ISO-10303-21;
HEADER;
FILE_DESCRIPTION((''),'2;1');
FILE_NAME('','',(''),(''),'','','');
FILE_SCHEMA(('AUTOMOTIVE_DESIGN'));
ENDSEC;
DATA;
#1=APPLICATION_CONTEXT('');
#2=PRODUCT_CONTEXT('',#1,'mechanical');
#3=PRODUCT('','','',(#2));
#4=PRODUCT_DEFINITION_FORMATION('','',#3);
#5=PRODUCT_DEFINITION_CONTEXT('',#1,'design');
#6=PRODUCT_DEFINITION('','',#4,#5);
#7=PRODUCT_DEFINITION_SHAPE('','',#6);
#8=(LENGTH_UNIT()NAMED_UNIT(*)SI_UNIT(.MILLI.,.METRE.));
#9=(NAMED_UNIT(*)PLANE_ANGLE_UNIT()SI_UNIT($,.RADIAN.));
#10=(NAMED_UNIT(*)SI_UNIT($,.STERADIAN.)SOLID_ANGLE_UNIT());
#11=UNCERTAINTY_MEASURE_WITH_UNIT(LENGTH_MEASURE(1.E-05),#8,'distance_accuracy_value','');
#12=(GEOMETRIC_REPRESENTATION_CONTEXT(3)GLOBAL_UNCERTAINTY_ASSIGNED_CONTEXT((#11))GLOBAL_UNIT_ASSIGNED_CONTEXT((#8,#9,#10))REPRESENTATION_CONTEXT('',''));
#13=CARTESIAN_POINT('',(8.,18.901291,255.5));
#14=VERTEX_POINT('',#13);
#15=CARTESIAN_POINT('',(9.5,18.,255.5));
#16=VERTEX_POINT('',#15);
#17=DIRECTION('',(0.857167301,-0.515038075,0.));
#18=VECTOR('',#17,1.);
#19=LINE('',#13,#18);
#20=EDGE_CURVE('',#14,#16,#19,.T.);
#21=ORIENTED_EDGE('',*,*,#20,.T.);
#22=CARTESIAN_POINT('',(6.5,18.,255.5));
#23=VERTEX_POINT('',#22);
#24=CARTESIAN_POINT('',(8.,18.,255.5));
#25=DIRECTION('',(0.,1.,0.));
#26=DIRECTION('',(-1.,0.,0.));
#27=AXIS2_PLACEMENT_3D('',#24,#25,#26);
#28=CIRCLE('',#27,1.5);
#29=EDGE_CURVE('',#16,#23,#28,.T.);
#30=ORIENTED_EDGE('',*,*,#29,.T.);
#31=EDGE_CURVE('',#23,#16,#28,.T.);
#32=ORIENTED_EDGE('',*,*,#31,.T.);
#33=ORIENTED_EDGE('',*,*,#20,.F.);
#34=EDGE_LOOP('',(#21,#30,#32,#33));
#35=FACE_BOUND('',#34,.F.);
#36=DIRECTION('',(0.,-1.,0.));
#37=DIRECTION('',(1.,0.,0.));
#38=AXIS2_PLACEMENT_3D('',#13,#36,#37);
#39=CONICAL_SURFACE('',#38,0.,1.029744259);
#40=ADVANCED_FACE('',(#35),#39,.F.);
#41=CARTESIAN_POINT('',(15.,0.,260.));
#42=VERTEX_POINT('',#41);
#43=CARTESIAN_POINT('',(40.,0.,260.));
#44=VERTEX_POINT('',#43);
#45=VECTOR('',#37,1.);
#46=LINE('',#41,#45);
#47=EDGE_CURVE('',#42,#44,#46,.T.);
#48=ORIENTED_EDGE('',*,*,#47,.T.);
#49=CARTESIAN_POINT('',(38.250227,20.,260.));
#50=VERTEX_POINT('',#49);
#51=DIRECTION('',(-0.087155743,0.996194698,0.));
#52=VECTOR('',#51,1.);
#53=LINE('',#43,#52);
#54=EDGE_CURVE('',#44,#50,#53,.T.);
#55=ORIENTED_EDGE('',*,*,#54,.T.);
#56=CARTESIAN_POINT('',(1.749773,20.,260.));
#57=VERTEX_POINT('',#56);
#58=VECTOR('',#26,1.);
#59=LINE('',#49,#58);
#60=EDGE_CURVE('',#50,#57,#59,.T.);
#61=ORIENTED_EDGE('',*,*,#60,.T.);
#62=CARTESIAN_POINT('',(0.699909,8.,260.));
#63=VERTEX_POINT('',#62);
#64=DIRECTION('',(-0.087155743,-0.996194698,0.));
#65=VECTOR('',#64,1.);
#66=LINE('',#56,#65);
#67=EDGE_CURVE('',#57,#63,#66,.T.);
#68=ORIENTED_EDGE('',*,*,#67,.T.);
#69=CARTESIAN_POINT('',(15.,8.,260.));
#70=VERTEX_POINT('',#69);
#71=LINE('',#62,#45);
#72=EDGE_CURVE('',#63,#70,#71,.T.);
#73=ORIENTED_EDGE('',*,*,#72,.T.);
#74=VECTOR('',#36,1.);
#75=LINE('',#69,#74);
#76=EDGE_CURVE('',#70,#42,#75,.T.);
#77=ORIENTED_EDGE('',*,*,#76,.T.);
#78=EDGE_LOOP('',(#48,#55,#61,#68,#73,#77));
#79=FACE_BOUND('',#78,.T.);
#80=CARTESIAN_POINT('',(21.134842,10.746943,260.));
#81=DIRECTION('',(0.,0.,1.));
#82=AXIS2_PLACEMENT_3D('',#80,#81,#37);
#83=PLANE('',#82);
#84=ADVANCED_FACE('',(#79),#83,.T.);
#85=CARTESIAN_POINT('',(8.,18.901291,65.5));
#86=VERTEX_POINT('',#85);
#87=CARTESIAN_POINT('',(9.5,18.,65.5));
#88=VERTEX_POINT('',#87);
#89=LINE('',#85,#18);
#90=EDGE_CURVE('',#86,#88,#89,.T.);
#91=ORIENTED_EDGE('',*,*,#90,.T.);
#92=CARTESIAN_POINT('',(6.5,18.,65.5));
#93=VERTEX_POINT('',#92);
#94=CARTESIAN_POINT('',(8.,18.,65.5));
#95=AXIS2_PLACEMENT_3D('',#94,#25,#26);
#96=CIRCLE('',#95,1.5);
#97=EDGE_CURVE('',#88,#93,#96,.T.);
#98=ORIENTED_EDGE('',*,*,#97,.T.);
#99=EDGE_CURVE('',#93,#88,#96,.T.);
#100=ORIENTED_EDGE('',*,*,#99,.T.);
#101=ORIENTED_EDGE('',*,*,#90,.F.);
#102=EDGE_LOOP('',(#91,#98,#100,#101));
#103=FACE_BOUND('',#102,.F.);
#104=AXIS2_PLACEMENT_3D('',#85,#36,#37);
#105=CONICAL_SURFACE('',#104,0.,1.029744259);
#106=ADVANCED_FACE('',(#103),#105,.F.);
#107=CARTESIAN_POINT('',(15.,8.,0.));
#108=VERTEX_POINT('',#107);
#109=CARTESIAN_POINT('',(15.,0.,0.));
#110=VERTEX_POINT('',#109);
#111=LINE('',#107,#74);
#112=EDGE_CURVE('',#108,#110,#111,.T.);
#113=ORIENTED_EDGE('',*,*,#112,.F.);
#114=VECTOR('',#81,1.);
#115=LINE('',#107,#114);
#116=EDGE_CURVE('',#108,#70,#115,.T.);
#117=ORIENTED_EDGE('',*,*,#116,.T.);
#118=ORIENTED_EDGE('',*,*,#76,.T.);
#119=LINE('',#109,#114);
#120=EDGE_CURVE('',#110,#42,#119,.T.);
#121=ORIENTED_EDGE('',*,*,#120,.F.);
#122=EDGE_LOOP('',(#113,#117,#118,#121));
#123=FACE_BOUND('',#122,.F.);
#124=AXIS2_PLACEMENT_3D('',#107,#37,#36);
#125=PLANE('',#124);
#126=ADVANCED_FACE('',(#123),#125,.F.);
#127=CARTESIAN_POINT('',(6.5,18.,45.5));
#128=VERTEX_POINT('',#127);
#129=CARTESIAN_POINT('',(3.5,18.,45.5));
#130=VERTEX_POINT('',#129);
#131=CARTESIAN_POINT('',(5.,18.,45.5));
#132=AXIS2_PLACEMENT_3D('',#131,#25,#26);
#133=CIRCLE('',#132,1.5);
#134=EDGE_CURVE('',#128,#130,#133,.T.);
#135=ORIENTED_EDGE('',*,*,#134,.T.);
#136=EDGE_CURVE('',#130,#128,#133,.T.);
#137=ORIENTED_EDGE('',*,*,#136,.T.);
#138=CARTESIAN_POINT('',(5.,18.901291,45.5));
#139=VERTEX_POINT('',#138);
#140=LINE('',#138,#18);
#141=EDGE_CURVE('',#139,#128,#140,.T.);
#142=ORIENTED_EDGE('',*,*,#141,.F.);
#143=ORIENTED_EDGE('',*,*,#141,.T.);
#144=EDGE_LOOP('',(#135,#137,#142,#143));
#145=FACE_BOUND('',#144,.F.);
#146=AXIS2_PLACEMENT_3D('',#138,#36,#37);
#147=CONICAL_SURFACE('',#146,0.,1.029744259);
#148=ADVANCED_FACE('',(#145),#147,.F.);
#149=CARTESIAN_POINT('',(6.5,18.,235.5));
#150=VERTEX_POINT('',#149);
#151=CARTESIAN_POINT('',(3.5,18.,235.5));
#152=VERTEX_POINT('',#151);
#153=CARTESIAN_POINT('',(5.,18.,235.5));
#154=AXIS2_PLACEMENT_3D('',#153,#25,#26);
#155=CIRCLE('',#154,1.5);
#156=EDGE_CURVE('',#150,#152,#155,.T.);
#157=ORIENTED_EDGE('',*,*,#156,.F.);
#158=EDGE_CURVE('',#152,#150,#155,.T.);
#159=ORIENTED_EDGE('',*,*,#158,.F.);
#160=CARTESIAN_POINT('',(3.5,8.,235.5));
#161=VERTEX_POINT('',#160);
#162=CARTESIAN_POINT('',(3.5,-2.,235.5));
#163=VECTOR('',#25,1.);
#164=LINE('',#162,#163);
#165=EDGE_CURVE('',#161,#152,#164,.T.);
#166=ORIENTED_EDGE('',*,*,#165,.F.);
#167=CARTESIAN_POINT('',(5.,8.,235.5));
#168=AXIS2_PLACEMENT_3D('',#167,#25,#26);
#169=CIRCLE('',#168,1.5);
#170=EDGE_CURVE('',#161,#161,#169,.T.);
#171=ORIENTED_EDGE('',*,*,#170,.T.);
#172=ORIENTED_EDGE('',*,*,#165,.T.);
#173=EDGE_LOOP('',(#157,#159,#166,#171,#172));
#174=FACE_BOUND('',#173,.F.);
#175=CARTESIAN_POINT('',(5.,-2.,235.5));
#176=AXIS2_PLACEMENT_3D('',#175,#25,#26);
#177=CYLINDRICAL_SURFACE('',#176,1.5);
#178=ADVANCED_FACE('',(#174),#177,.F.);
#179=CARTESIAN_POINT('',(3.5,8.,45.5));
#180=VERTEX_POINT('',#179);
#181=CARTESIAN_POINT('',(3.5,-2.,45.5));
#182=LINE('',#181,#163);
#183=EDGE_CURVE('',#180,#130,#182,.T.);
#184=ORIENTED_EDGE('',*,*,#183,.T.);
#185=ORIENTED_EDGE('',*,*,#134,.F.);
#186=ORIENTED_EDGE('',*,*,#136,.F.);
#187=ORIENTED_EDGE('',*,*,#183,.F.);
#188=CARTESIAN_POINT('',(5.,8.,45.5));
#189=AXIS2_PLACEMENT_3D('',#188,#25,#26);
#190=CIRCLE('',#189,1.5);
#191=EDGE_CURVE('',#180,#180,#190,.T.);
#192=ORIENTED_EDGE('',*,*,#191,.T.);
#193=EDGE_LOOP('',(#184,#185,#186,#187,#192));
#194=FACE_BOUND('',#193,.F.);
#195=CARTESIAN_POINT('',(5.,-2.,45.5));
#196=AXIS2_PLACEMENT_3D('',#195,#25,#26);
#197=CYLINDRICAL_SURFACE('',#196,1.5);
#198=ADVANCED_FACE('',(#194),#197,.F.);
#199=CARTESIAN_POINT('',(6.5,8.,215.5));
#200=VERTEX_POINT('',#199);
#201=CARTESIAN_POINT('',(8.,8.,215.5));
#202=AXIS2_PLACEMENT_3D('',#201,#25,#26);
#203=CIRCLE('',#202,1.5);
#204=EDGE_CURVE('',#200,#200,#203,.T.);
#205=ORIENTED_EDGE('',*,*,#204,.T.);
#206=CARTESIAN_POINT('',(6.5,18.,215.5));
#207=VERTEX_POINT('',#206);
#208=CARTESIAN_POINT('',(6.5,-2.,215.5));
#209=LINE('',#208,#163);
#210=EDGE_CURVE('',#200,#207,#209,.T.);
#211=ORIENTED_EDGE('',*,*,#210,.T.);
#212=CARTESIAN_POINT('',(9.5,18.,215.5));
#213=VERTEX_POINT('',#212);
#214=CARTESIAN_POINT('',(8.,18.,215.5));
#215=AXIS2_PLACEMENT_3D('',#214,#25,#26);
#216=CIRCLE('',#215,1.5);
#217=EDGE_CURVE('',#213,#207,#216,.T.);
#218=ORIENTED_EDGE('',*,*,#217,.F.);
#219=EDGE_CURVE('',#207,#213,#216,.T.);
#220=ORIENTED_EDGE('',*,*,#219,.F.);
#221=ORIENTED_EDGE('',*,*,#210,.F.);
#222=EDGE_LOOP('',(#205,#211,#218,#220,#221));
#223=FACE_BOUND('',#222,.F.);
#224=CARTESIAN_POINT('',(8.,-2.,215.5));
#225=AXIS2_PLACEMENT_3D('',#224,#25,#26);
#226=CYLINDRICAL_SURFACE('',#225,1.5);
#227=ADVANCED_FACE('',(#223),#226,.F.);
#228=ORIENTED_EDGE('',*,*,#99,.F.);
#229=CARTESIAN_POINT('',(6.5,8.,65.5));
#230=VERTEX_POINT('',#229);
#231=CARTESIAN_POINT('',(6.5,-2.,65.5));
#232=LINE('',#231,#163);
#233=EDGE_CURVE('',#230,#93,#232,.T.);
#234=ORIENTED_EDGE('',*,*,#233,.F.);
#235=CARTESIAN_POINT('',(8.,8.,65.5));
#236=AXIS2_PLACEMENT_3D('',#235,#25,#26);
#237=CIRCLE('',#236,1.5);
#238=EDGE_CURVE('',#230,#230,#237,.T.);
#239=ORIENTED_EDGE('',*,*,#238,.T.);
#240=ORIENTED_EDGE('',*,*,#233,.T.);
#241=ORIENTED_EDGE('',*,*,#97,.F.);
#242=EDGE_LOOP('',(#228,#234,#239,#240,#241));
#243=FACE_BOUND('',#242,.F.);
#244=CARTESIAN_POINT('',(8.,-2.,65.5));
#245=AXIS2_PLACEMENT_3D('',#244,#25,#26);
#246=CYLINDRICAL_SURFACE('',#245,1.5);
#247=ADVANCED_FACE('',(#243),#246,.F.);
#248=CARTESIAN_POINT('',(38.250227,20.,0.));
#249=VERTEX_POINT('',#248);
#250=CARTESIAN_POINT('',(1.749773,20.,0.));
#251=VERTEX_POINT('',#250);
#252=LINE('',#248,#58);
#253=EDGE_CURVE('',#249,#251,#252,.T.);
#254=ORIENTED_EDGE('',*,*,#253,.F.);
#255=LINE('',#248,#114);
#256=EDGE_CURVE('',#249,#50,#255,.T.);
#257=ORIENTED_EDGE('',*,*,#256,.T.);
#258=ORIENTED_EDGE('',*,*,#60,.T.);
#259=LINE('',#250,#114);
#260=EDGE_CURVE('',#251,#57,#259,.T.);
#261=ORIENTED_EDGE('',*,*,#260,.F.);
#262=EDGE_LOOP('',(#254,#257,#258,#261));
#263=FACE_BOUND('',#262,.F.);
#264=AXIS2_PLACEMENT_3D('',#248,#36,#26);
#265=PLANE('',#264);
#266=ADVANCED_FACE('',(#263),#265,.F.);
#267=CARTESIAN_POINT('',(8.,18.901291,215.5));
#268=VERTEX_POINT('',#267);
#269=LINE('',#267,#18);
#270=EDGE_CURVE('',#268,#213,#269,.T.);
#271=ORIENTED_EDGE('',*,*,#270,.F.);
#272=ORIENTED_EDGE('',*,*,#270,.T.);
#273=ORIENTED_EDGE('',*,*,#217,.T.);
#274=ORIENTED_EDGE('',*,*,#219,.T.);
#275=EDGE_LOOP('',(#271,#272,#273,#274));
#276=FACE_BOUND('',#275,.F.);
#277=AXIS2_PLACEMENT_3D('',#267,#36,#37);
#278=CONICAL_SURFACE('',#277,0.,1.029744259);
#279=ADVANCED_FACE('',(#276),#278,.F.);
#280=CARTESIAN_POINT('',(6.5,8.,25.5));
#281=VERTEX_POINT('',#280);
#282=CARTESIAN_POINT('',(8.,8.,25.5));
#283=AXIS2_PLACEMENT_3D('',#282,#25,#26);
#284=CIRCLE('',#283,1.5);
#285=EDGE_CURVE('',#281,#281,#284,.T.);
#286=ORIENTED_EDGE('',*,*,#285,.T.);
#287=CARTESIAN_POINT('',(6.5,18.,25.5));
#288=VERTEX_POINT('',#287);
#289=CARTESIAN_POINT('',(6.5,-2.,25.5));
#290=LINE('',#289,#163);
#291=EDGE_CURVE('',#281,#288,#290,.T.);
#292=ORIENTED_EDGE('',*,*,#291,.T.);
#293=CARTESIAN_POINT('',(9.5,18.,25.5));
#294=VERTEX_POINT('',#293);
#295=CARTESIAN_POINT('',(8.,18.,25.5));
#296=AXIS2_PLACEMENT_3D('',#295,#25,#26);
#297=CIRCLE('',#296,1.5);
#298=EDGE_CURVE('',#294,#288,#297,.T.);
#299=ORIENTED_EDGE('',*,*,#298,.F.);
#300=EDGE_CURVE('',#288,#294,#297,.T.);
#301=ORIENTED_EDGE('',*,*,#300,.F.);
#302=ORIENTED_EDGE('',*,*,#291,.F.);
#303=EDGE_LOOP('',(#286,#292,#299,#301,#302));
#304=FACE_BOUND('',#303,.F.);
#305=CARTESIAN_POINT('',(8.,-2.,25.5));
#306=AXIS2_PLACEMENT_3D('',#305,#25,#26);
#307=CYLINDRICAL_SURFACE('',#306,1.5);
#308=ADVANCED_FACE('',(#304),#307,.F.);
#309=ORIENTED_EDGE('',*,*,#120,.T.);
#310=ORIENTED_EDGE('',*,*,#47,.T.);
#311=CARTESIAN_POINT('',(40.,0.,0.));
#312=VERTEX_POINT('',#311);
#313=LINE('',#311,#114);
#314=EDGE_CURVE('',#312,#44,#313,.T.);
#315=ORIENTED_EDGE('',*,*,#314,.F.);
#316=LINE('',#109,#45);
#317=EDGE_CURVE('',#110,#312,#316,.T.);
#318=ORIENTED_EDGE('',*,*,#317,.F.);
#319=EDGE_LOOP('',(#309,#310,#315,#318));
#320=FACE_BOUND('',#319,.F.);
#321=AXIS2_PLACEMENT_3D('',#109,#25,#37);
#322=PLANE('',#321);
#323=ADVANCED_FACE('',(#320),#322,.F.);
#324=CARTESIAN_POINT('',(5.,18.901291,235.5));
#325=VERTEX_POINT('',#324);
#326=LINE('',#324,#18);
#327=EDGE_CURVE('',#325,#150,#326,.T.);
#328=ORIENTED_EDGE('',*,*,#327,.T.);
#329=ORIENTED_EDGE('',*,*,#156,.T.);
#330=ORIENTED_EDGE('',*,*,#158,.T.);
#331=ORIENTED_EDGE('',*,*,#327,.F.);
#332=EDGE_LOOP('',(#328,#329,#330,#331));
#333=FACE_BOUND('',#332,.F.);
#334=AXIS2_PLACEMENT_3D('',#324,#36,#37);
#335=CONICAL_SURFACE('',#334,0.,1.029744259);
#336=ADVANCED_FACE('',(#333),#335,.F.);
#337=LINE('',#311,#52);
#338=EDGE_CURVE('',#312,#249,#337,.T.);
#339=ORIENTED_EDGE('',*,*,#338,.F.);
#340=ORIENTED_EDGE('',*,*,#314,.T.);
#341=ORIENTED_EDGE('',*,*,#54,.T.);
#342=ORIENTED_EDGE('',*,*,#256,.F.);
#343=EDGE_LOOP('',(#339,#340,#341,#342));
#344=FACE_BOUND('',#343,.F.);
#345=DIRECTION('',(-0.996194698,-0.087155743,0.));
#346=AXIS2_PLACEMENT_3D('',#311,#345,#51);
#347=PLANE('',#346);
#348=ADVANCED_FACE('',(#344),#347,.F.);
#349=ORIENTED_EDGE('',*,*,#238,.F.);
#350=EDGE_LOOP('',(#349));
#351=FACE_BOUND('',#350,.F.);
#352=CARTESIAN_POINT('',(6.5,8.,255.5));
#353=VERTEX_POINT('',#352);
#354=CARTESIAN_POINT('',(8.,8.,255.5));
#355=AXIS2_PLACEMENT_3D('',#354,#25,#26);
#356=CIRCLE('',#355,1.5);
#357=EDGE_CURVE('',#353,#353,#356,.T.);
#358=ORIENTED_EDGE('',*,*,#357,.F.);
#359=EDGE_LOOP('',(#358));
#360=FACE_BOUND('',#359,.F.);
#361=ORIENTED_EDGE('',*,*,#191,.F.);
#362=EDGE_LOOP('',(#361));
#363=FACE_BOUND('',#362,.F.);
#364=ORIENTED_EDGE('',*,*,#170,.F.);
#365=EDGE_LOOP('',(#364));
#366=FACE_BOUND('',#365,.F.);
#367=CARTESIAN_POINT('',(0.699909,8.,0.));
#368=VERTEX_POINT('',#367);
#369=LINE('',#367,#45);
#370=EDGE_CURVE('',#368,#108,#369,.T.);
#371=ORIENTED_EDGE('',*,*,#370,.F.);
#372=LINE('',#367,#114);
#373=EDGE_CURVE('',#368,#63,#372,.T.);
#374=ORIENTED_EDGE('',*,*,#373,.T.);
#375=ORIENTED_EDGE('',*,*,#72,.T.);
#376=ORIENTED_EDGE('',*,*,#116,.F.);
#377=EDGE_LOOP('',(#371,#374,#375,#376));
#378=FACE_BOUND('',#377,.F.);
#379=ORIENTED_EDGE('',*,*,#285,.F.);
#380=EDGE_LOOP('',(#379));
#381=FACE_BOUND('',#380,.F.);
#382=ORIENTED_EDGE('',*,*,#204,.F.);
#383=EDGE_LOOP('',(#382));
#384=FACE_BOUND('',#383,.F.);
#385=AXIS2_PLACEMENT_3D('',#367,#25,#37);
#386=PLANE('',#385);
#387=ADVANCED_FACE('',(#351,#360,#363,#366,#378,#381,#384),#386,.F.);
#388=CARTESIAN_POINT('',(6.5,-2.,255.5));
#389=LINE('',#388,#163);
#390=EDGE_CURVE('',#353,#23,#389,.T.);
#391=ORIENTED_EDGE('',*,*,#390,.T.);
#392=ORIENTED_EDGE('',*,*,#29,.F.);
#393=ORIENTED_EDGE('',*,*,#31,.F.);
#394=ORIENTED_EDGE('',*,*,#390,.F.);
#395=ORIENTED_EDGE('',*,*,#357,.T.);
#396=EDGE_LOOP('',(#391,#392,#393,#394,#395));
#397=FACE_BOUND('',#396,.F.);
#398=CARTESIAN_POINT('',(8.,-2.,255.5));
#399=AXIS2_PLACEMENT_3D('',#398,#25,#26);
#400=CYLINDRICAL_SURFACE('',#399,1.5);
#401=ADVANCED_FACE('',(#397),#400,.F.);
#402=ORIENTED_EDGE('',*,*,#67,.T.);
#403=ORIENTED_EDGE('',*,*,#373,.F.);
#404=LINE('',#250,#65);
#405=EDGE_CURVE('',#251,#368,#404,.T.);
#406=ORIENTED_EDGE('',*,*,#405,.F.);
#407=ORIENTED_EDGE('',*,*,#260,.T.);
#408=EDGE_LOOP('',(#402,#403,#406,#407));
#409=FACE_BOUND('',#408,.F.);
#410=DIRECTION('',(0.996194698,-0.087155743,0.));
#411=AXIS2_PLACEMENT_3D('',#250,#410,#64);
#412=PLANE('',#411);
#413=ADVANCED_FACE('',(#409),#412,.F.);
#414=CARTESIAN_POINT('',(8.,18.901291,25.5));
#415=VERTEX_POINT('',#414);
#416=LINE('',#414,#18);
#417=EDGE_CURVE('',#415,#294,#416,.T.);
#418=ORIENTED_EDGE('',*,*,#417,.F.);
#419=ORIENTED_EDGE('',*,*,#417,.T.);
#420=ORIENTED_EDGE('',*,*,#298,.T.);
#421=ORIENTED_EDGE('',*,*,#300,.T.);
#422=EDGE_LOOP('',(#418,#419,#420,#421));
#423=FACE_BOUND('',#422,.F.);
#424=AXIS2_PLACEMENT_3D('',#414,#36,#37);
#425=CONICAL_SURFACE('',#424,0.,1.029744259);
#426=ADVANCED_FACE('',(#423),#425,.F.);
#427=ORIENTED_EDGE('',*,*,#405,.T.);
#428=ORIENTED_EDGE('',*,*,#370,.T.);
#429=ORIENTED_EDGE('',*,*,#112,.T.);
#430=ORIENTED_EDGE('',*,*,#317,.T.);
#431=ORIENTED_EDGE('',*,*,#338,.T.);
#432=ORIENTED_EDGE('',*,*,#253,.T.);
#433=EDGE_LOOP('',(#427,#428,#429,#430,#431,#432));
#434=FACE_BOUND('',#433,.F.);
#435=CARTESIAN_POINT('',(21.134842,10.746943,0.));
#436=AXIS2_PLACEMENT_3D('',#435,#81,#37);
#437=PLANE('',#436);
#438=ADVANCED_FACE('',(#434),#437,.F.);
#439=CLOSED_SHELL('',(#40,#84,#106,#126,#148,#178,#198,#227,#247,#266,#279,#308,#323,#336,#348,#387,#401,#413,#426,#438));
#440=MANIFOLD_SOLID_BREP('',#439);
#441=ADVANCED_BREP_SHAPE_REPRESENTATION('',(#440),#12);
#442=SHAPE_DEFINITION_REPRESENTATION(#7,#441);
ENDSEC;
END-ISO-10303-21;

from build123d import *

# Parameters (mm, degrees)
F1_DEPTH = 260
F3_D     = 3
F3_DEPTH = 10
F3_START = 8
F3_TIP   = 0.9012909285


with BuildPart() as f1:
    # F0 (on Top) → F1 (new body)
    with BuildSketch(Plane.XY):
        Polygon((1.7497732705, 20), (0.6999093082, 8), (15, 8), (15, 0), (40, 0), (38.2502267295, 20), align=None)
    extrude(amount=F1_DEPTH)

    # F3
    # its depths count from where the whole tool has entered the part; down to there all is cleared
    with Locations(Plane.XZ.offset(-F3_START)):
        with Locations((8, 255.5), (5, 235.5), (8, 215.5), (8, 65.5), (5, 45.5), (8, 25.5)):
            Hole(F3_D / 2, depth=F3_DEPTH)
            with Locations((0, 0, -(F3_DEPTH + F3_TIP / 2))):  # 118° drill point
                Cone(0, F3_D / 2, F3_TIP, mode=Mode.SUBTRACT)


solid = f1.part
